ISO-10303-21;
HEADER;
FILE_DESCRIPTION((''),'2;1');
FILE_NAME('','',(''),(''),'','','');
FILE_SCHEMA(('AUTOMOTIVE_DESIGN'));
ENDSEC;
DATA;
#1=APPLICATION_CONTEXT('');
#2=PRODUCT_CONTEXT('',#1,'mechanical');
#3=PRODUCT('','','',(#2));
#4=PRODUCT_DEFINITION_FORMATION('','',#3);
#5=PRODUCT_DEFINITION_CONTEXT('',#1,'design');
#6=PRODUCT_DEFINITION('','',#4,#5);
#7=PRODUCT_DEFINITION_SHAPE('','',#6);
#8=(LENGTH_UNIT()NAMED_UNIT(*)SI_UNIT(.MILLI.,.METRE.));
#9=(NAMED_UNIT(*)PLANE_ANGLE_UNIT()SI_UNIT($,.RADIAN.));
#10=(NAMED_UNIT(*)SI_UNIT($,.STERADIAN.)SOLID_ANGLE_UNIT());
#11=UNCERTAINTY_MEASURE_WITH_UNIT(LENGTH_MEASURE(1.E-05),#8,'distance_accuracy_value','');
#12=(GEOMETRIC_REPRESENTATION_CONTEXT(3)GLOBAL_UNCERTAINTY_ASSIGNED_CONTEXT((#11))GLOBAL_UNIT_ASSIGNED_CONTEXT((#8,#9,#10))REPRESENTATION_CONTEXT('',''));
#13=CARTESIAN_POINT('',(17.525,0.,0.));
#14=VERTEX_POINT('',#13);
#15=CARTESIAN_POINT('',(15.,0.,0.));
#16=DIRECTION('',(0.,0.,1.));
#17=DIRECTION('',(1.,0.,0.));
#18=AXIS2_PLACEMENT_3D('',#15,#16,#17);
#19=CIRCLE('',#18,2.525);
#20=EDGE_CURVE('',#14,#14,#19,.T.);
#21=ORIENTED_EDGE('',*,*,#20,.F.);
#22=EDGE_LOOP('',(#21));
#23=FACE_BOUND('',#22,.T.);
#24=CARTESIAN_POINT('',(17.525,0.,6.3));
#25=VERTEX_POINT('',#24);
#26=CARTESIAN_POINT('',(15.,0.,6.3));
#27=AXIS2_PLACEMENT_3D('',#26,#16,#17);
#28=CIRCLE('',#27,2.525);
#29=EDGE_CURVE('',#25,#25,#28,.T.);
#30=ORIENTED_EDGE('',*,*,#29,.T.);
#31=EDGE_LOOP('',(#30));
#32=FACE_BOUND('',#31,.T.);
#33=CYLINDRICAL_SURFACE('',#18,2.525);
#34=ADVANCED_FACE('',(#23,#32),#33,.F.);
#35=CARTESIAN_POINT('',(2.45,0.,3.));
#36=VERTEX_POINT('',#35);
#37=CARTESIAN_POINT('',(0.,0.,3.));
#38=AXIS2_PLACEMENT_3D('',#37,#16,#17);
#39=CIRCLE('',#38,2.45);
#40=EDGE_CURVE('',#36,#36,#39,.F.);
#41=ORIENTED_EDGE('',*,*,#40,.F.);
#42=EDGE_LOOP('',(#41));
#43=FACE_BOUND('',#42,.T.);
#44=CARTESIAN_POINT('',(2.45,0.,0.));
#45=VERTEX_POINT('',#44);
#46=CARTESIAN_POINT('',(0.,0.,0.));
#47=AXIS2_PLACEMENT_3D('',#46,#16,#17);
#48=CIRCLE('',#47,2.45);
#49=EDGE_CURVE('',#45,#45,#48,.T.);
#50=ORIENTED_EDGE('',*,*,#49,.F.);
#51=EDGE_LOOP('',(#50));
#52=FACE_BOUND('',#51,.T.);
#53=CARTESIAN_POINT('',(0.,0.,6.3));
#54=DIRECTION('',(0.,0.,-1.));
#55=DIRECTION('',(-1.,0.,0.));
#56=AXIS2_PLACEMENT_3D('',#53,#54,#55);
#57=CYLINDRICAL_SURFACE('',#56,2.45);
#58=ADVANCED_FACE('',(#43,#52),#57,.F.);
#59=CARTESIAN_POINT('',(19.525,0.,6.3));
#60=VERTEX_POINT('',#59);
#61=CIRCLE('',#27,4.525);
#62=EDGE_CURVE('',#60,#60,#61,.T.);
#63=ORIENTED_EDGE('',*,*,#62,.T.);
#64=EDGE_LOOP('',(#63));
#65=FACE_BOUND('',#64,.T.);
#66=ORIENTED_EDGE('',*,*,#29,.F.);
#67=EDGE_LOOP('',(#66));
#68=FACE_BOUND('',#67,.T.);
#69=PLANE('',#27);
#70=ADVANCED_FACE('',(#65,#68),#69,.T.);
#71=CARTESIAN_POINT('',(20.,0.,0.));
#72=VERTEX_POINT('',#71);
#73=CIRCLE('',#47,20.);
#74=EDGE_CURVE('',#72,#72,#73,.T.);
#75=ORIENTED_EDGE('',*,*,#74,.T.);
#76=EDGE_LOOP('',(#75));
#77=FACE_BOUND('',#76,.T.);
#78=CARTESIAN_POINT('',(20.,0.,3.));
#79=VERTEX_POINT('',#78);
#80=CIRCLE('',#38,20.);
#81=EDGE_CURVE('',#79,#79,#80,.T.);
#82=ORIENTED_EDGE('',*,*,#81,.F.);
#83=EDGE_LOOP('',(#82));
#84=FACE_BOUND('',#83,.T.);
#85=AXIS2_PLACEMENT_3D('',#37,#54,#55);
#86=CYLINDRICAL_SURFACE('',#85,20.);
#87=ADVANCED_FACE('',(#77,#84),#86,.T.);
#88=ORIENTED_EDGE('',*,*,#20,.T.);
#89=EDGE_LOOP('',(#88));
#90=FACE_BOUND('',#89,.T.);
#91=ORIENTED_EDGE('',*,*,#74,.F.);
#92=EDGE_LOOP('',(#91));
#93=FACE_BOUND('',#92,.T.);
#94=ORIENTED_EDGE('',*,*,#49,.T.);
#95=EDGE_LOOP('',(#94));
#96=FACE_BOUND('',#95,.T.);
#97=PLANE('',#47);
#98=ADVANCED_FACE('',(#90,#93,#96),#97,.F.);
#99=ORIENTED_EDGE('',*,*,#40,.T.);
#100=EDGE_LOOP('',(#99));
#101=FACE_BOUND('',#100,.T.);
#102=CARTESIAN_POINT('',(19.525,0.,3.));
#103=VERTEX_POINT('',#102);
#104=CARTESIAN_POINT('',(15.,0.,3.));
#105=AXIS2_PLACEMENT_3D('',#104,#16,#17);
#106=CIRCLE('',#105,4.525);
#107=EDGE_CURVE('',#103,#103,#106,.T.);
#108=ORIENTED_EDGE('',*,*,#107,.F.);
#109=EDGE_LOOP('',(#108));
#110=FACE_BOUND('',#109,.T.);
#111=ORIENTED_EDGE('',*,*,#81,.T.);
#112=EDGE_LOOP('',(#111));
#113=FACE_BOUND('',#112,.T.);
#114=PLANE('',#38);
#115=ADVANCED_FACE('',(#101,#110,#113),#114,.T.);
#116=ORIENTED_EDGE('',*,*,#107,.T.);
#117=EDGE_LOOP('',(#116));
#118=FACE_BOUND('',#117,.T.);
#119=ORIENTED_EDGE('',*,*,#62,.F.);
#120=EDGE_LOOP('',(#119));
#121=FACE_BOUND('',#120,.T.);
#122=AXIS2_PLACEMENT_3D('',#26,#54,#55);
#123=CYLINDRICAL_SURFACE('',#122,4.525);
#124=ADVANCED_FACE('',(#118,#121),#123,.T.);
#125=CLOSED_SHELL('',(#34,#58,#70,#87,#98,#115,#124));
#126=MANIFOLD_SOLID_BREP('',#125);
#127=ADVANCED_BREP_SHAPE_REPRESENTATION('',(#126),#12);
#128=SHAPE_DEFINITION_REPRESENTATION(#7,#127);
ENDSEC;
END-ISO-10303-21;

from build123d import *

# Parameters (mm, degrees)
SKETCH1_R               = 20
BOSS_EXTRUDE1_DEPTH     = 3
CUT_EXTRUDE3_START      = 3
SKETCH2_R               = 2.525
CUT_EXTRUDE3_DEPTH      = 4
CUT_EXTRUDE3_DEPTH_BACK = 4
BOSS_EXTRUDE2_START     = 3
SKETCH3_R               = 4.525
SKETCH3_R_2             = 2.525
BOSS_EXTRUDE2_DEPTH     = 3.3
SKETCH4_R               = 2.45
CUT_EXTRUDE4_DEPTH      = 7.3


with BuildPart() as part:
    # Sketch1 → Boss-Extrude1 (new body)
    with BuildSketch(Plane.XY):
        Circle(SKETCH1_R)
    extrude(amount=BOSS_EXTRUDE1_DEPTH)

    # Sketch2 → Cut-Extrude3 (cut, two sides)
    with BuildSketch(Plane.XY.offset(CUT_EXTRUDE3_START)) as cut_extrude3_sk:
        with Locations((15, 0)):
            Circle(SKETCH2_R)
    extrude(amount=CUT_EXTRUDE3_DEPTH, mode=Mode.SUBTRACT)
    extrude(cut_extrude3_sk.sketch, amount=-CUT_EXTRUDE3_DEPTH_BACK, mode=Mode.SUBTRACT)

    # Sketch3 → Boss-Extrude2 (add)
    with BuildSketch(Plane.XY.offset(BOSS_EXTRUDE2_START)):
        with Locations((15, 0)):
            Circle(SKETCH3_R)
        with Locations((15, 0)):
            Circle(SKETCH3_R_2, mode=Mode.SUBTRACT)
    extrude(amount=BOSS_EXTRUDE2_DEPTH)

    # Sketch4 → Cut-Extrude4 (cut, through all)
    with BuildSketch(Plane.XY):
        Circle(SKETCH4_R)
    extrude(amount=CUT_EXTRUDE4_DEPTH, mode=Mode.SUBTRACT)


solid = part.part
